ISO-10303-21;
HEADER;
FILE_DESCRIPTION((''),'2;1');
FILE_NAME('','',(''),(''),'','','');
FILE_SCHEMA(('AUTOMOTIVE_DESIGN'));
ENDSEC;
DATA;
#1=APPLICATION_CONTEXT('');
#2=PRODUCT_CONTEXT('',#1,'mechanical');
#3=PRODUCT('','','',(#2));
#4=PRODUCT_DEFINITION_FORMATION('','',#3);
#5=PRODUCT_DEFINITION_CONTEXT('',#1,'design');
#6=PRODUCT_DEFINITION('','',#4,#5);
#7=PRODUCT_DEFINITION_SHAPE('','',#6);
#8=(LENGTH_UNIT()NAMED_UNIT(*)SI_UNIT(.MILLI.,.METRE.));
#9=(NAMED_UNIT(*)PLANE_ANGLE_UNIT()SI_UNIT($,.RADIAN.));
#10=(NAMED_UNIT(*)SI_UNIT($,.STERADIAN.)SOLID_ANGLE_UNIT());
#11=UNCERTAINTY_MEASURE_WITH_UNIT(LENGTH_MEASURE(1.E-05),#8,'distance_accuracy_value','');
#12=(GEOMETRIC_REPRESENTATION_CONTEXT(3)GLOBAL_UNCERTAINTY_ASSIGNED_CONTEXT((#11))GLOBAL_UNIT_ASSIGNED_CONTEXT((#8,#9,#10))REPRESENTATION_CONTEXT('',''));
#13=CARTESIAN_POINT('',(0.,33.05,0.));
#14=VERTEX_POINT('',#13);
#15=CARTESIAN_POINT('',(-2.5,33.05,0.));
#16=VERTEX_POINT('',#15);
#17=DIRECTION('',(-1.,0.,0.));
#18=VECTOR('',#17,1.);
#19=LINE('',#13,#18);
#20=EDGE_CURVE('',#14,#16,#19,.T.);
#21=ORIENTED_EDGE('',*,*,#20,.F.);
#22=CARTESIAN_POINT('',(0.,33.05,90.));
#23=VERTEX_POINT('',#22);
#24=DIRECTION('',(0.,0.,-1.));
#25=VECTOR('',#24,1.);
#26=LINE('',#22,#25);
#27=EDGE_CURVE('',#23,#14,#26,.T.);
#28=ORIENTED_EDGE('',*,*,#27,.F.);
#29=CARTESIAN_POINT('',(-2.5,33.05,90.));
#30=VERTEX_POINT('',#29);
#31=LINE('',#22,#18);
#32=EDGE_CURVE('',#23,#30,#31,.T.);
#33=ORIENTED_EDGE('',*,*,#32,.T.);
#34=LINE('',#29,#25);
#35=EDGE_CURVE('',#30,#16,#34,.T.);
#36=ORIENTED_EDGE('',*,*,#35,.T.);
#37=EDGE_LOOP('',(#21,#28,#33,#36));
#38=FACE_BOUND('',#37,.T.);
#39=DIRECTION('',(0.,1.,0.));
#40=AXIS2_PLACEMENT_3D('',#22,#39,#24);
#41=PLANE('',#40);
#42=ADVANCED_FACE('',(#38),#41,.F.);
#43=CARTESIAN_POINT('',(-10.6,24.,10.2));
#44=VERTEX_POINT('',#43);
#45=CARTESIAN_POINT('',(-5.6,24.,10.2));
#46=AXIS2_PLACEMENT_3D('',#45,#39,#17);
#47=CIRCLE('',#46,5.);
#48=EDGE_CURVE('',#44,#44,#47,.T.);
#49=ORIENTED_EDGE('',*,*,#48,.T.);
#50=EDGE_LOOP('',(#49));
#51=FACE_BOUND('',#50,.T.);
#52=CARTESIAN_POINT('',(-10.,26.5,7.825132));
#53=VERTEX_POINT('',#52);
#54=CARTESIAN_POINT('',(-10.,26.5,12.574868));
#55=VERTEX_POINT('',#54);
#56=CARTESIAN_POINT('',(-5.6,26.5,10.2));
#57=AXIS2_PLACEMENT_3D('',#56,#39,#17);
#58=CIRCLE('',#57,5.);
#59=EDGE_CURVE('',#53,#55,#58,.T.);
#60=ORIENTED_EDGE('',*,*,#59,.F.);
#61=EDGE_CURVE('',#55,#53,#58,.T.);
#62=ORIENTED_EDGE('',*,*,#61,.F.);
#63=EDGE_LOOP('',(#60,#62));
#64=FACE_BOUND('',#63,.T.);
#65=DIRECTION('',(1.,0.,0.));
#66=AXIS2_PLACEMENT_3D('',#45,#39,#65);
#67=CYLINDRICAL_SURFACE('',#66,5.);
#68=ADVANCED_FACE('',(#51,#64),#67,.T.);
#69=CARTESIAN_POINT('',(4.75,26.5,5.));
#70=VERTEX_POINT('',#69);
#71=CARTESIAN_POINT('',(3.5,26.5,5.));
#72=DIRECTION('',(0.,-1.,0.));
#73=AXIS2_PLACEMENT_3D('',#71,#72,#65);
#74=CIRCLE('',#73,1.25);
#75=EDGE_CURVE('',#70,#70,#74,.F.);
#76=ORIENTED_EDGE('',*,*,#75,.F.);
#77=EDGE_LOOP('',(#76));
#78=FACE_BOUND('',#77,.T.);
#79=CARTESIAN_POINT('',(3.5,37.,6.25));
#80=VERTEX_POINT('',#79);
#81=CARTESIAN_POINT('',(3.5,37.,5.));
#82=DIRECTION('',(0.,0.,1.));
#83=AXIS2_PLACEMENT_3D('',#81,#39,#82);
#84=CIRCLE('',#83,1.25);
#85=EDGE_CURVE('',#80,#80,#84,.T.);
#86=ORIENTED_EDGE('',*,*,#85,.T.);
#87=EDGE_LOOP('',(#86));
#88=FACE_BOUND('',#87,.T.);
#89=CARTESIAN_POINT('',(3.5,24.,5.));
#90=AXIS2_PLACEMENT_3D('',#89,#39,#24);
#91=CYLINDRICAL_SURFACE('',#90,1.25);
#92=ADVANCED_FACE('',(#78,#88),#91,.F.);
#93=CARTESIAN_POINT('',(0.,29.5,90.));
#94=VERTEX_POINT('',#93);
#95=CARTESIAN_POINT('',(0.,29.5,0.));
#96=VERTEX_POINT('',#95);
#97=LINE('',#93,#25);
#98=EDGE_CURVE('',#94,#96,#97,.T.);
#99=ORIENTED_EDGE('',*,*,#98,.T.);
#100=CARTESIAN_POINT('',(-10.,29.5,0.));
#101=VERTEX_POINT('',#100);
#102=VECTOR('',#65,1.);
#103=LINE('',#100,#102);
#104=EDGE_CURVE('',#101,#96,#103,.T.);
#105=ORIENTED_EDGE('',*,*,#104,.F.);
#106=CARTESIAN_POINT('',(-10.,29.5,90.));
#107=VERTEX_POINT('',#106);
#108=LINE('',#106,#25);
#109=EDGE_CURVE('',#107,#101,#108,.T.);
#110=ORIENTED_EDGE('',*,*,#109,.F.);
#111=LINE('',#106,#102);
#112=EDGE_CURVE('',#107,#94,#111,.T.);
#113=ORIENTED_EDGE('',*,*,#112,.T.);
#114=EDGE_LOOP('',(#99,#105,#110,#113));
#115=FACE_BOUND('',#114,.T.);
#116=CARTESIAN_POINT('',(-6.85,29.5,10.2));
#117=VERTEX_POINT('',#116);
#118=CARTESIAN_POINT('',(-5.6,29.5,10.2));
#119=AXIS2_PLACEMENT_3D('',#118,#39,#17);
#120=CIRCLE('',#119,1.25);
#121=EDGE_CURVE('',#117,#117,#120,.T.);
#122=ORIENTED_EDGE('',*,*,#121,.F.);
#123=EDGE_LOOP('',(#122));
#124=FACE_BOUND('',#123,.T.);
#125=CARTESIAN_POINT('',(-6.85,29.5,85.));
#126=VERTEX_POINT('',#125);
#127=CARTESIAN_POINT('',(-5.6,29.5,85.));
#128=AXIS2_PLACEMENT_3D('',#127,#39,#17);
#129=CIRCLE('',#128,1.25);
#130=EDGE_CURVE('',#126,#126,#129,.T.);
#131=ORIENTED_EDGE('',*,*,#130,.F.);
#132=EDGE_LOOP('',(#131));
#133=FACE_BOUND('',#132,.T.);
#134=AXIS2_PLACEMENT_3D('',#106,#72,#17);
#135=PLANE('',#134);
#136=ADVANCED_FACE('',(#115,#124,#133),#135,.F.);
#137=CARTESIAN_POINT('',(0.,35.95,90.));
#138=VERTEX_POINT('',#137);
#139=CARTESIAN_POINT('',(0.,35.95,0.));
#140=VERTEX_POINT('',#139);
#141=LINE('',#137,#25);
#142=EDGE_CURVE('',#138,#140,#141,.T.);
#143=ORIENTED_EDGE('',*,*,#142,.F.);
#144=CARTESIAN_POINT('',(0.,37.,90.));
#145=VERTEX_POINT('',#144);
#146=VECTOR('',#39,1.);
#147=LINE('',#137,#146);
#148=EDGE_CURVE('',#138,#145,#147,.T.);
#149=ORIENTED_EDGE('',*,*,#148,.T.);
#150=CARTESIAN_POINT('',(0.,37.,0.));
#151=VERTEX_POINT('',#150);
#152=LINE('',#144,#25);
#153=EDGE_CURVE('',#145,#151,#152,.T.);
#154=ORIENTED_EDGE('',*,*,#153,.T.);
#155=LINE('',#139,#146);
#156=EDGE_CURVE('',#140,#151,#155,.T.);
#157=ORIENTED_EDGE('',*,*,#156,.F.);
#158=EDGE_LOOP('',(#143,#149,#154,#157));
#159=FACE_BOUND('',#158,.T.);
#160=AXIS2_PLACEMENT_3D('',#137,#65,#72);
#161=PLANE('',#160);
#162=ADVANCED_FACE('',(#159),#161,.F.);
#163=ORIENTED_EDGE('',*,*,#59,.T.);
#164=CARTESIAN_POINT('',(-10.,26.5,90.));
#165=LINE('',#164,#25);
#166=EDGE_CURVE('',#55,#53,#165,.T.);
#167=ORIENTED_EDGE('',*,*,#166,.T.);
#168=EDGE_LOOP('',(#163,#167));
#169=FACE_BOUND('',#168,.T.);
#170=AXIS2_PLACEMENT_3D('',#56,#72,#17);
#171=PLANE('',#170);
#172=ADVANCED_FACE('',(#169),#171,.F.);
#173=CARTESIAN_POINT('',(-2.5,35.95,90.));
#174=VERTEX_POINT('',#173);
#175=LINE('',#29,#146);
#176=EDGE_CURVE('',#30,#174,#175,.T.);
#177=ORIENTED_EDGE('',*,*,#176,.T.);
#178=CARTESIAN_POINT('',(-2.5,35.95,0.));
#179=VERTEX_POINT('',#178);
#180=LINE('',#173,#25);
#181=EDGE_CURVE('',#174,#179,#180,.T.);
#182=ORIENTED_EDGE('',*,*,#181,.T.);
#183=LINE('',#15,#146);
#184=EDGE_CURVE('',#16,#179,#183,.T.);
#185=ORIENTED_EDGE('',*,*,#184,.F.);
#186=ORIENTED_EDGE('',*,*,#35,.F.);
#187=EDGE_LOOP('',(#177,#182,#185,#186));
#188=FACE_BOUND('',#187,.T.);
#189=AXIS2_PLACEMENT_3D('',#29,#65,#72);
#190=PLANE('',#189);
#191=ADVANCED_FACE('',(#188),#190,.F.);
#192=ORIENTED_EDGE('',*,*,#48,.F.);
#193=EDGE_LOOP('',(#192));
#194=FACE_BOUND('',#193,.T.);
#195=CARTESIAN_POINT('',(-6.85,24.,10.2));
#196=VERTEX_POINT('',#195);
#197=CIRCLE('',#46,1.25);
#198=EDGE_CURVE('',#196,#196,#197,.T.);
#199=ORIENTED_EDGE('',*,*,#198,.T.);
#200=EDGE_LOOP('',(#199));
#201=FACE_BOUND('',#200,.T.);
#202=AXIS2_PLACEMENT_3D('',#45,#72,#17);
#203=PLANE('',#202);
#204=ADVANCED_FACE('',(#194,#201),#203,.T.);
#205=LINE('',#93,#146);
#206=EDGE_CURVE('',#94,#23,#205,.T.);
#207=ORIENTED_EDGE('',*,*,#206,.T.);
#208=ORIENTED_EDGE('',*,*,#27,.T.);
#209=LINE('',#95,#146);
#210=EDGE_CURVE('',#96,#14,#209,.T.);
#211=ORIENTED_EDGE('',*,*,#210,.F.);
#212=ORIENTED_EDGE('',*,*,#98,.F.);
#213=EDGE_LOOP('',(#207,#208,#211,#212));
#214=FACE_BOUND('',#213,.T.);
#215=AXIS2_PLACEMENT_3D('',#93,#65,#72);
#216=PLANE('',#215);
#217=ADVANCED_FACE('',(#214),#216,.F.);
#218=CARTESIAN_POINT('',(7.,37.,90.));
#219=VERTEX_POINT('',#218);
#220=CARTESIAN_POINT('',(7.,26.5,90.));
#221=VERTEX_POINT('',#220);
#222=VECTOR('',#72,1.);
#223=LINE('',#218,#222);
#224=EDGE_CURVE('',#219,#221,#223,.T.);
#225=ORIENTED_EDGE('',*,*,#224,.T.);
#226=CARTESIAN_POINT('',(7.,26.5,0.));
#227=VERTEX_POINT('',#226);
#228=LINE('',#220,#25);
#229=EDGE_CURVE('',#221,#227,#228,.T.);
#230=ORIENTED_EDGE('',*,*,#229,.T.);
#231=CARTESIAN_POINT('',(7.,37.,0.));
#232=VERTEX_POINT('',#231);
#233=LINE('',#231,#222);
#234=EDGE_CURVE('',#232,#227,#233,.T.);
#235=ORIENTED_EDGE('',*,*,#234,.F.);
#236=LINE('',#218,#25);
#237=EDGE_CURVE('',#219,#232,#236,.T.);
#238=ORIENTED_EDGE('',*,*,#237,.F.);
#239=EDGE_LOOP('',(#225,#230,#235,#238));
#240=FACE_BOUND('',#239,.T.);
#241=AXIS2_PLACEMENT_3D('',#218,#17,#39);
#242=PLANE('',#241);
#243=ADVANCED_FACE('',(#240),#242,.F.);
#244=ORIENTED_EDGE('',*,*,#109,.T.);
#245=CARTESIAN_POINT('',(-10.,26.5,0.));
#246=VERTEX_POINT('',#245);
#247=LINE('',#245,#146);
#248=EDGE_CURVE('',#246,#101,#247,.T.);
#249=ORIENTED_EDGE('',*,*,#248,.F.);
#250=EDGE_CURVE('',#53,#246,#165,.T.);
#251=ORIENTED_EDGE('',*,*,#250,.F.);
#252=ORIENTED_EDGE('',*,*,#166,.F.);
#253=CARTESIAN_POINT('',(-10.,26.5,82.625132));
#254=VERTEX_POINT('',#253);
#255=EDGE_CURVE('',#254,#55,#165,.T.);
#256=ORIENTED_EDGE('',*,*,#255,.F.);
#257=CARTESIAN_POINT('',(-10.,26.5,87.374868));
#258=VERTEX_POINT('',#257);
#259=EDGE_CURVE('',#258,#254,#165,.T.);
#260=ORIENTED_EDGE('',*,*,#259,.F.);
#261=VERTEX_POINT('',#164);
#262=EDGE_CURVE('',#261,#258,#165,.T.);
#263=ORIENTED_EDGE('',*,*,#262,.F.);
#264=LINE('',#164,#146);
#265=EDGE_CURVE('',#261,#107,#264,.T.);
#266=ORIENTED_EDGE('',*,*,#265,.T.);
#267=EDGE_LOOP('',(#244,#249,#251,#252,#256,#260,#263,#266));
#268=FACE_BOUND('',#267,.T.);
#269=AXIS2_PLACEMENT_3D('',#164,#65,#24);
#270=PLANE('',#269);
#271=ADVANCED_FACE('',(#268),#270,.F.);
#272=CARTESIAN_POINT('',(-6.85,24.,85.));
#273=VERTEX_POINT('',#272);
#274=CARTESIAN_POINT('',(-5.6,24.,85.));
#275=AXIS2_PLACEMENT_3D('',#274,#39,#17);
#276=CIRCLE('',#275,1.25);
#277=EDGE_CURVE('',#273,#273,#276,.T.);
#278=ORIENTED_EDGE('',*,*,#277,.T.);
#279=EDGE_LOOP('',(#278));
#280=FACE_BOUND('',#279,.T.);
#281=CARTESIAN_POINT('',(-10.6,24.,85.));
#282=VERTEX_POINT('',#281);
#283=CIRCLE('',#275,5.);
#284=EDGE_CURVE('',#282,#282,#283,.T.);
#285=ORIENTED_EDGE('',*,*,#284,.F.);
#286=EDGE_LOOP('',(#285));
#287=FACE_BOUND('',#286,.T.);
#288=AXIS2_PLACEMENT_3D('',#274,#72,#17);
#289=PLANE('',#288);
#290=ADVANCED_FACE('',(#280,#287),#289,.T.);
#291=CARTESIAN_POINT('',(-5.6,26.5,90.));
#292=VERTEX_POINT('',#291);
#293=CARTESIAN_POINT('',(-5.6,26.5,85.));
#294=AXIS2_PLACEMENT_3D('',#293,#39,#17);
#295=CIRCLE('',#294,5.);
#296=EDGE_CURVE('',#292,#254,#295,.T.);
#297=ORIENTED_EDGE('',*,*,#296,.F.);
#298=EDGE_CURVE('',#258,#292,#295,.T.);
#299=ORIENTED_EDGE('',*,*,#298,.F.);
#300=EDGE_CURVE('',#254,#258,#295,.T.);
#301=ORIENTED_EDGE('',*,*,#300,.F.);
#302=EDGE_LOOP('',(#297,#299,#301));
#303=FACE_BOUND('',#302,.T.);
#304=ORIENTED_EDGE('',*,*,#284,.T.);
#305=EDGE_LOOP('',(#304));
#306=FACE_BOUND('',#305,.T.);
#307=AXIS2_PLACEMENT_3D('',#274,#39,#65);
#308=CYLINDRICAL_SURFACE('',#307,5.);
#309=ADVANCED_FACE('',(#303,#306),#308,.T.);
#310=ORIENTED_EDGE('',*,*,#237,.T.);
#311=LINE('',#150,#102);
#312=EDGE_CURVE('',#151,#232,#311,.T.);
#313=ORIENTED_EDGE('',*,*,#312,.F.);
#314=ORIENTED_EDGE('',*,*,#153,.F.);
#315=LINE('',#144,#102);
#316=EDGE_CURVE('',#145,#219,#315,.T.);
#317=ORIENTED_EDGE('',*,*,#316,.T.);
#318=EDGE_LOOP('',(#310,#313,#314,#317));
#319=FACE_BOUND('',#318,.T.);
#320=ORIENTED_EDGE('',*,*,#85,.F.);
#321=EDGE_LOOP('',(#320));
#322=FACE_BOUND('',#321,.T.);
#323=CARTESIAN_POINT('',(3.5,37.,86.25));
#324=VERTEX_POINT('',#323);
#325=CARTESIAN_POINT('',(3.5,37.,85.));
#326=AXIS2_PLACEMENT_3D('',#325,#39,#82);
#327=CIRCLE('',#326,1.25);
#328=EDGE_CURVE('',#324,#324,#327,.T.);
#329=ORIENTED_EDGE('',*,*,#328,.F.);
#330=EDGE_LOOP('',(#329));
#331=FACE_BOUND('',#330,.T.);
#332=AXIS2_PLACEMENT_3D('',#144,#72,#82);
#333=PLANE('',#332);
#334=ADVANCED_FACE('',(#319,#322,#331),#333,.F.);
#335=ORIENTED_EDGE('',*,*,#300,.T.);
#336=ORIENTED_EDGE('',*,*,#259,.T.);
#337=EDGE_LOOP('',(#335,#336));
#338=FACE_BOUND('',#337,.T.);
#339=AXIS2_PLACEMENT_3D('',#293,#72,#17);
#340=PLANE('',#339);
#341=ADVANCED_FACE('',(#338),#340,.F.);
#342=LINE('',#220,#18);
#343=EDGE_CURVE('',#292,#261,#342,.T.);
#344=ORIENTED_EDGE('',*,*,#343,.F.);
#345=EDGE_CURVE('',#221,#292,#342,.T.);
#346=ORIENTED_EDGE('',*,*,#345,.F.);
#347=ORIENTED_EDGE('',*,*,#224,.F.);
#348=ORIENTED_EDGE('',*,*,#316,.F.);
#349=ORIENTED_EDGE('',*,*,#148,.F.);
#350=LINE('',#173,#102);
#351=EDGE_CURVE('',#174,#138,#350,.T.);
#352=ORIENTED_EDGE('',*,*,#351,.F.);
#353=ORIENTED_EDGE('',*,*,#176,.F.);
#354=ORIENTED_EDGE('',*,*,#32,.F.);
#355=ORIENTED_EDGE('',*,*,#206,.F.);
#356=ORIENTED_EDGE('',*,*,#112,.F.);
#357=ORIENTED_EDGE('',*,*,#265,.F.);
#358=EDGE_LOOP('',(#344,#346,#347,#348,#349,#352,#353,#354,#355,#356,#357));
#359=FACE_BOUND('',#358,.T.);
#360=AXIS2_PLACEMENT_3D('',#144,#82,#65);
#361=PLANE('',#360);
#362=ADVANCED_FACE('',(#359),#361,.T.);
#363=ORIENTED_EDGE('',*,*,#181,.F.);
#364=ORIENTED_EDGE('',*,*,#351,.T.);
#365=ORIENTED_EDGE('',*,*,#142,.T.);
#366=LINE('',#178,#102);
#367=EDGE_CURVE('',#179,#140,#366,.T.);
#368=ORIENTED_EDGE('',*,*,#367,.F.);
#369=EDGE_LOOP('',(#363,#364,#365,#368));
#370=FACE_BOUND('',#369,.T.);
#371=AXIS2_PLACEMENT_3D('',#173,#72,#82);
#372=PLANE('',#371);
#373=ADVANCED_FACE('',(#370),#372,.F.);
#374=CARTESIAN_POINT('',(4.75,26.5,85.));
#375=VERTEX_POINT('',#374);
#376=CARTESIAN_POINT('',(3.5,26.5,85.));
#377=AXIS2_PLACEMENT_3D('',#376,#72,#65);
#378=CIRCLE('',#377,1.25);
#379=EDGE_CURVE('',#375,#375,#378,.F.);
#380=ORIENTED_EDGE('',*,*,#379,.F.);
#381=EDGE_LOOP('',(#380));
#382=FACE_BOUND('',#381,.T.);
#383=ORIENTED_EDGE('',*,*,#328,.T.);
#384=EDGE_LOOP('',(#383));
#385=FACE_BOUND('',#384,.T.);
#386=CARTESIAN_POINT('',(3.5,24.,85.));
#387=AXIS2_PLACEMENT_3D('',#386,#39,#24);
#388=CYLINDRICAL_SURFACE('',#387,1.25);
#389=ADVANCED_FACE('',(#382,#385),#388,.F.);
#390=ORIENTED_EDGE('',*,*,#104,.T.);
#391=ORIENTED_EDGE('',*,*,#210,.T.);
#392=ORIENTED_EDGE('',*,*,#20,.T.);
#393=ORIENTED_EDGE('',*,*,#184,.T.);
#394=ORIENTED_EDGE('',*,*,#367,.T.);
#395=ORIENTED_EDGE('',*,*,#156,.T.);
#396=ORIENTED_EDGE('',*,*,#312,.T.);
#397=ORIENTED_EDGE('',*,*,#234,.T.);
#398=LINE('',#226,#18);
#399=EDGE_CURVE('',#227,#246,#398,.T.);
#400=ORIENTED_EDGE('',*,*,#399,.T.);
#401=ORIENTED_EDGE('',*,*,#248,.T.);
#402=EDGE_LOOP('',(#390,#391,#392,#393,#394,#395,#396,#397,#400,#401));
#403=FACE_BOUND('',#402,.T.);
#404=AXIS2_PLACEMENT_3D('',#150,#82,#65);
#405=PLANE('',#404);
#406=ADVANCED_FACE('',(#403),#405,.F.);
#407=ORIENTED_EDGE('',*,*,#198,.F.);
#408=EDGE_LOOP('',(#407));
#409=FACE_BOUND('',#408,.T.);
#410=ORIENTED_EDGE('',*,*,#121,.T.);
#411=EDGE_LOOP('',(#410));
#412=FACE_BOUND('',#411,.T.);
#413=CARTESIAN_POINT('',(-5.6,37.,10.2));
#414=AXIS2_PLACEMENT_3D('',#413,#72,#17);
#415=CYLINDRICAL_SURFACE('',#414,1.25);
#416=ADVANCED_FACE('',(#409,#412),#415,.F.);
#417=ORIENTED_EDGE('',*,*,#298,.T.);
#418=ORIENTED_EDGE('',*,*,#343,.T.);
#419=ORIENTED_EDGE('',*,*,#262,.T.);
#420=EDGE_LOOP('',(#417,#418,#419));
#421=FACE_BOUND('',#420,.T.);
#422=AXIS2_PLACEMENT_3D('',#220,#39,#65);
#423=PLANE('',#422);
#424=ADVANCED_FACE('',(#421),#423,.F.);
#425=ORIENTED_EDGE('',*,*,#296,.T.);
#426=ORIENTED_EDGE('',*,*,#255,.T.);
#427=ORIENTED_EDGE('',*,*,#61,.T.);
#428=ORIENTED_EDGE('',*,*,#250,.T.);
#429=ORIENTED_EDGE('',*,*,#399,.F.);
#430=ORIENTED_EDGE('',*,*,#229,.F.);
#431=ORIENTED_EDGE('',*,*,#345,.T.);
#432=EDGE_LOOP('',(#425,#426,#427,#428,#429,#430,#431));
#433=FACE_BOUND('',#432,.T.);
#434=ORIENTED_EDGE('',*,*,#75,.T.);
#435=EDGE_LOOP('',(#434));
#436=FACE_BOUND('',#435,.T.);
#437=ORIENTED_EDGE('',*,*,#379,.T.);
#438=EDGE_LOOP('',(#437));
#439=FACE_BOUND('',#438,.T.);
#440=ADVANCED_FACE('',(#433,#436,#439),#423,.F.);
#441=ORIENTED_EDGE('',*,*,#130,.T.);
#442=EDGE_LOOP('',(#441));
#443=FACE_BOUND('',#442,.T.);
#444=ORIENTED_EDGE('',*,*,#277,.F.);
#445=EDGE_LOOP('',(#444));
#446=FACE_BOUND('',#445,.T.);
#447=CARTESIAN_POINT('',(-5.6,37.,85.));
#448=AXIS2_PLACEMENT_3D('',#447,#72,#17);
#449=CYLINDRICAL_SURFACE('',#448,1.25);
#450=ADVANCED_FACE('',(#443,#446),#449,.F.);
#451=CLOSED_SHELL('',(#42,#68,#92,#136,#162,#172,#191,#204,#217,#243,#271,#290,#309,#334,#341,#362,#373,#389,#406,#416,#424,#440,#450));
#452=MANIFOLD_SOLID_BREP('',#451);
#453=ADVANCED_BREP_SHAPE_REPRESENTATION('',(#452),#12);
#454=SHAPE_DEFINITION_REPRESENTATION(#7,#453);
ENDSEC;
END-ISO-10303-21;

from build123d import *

# Parameters (mm, degrees)
MAIN_DEPTH         = 90
SKETCH2_R          = 5
PLOT_DEPTH         = 2.5
SKETCH3_R          = 1.25
HOLEFIX_DEPTH      = 14
SKETCH4_R          = 1.25
CUT_EXTRUDE4_DEPTH = 14
SKETCH5_W          = 31.518406853
SKETCH5_H          = 19.182170192
CUT_EXTRUDE5_DEPTH = 91


with BuildPart() as part:
    # Sketch1 → Main (new body)
    with BuildSketch(Plane.XY):
        Polygon((-10, 7.5), (0, 7.5), (0, 3.95), (-2.5, 3.95), (-2.5, 1.05), (0, 1.05), (0, 0), (7, 0), (7, 10.5), (-10, 10.5), align=None)
    extrude(amount=MAIN_DEPTH)

    # Sketch2 → Plot (add)
    with BuildSketch(Plane(origin=(0, 10.5, 0), x_dir=(1, 0, 0), z_dir=(0, 1, 0))):
        with Locations((-5.6, -85)):
            Circle(SKETCH2_R)
        with Locations((-5.6, -10.2)):
            Circle(SKETCH2_R)
    extrude(amount=PLOT_DEPTH)

    # Sketch3 → HoleFix (cut, through all)
    with BuildSketch(Plane(origin=(0, 13, 0), x_dir=(1, 0, 0), z_dir=(0, 1, 0))):
        with Locations((-5.6, -10.2)):
            Circle(SKETCH3_R)
        with Locations((-5.6, -85)):
            Circle(SKETCH3_R)
    extrude(amount=-HOLEFIX_DEPTH, mode=Mode.SUBTRACT)

    # Sketch4 → Cut-Extrude4 (cut, through all)
    with BuildSketch(Plane(origin=(7, 0, 0), x_dir=(0, 0, -1), z_dir=(0, 1, 0))):
        with Locations((-85, 3.5)):
            Circle(SKETCH4_R)
        with Locations((-5, 3.5)):
            Circle(SKETCH4_R)
    extrude(amount=CUT_EXTRUDE4_DEPTH, mode=Mode.SUBTRACT)


with BuildPart() as body_2:
    # Mirror2: mirrored copy
    add(part.part.mirror(Plane.ZX.offset(18.5)))


with BuildPart() as part_1:
    add(part.part)

    # Sketch5 → Cut-Extrude5 (cut, through all)
    with BuildSketch(Plane.XY.offset(90)):
        with Locations((-2.991193443, 6.5365617)):
            Rectangle(SKETCH5_W, SKETCH5_H)
    extrude(amount=-CUT_EXTRUDE5_DEPTH, mode=Mode.SUBTRACT)


solid = body_2.part
